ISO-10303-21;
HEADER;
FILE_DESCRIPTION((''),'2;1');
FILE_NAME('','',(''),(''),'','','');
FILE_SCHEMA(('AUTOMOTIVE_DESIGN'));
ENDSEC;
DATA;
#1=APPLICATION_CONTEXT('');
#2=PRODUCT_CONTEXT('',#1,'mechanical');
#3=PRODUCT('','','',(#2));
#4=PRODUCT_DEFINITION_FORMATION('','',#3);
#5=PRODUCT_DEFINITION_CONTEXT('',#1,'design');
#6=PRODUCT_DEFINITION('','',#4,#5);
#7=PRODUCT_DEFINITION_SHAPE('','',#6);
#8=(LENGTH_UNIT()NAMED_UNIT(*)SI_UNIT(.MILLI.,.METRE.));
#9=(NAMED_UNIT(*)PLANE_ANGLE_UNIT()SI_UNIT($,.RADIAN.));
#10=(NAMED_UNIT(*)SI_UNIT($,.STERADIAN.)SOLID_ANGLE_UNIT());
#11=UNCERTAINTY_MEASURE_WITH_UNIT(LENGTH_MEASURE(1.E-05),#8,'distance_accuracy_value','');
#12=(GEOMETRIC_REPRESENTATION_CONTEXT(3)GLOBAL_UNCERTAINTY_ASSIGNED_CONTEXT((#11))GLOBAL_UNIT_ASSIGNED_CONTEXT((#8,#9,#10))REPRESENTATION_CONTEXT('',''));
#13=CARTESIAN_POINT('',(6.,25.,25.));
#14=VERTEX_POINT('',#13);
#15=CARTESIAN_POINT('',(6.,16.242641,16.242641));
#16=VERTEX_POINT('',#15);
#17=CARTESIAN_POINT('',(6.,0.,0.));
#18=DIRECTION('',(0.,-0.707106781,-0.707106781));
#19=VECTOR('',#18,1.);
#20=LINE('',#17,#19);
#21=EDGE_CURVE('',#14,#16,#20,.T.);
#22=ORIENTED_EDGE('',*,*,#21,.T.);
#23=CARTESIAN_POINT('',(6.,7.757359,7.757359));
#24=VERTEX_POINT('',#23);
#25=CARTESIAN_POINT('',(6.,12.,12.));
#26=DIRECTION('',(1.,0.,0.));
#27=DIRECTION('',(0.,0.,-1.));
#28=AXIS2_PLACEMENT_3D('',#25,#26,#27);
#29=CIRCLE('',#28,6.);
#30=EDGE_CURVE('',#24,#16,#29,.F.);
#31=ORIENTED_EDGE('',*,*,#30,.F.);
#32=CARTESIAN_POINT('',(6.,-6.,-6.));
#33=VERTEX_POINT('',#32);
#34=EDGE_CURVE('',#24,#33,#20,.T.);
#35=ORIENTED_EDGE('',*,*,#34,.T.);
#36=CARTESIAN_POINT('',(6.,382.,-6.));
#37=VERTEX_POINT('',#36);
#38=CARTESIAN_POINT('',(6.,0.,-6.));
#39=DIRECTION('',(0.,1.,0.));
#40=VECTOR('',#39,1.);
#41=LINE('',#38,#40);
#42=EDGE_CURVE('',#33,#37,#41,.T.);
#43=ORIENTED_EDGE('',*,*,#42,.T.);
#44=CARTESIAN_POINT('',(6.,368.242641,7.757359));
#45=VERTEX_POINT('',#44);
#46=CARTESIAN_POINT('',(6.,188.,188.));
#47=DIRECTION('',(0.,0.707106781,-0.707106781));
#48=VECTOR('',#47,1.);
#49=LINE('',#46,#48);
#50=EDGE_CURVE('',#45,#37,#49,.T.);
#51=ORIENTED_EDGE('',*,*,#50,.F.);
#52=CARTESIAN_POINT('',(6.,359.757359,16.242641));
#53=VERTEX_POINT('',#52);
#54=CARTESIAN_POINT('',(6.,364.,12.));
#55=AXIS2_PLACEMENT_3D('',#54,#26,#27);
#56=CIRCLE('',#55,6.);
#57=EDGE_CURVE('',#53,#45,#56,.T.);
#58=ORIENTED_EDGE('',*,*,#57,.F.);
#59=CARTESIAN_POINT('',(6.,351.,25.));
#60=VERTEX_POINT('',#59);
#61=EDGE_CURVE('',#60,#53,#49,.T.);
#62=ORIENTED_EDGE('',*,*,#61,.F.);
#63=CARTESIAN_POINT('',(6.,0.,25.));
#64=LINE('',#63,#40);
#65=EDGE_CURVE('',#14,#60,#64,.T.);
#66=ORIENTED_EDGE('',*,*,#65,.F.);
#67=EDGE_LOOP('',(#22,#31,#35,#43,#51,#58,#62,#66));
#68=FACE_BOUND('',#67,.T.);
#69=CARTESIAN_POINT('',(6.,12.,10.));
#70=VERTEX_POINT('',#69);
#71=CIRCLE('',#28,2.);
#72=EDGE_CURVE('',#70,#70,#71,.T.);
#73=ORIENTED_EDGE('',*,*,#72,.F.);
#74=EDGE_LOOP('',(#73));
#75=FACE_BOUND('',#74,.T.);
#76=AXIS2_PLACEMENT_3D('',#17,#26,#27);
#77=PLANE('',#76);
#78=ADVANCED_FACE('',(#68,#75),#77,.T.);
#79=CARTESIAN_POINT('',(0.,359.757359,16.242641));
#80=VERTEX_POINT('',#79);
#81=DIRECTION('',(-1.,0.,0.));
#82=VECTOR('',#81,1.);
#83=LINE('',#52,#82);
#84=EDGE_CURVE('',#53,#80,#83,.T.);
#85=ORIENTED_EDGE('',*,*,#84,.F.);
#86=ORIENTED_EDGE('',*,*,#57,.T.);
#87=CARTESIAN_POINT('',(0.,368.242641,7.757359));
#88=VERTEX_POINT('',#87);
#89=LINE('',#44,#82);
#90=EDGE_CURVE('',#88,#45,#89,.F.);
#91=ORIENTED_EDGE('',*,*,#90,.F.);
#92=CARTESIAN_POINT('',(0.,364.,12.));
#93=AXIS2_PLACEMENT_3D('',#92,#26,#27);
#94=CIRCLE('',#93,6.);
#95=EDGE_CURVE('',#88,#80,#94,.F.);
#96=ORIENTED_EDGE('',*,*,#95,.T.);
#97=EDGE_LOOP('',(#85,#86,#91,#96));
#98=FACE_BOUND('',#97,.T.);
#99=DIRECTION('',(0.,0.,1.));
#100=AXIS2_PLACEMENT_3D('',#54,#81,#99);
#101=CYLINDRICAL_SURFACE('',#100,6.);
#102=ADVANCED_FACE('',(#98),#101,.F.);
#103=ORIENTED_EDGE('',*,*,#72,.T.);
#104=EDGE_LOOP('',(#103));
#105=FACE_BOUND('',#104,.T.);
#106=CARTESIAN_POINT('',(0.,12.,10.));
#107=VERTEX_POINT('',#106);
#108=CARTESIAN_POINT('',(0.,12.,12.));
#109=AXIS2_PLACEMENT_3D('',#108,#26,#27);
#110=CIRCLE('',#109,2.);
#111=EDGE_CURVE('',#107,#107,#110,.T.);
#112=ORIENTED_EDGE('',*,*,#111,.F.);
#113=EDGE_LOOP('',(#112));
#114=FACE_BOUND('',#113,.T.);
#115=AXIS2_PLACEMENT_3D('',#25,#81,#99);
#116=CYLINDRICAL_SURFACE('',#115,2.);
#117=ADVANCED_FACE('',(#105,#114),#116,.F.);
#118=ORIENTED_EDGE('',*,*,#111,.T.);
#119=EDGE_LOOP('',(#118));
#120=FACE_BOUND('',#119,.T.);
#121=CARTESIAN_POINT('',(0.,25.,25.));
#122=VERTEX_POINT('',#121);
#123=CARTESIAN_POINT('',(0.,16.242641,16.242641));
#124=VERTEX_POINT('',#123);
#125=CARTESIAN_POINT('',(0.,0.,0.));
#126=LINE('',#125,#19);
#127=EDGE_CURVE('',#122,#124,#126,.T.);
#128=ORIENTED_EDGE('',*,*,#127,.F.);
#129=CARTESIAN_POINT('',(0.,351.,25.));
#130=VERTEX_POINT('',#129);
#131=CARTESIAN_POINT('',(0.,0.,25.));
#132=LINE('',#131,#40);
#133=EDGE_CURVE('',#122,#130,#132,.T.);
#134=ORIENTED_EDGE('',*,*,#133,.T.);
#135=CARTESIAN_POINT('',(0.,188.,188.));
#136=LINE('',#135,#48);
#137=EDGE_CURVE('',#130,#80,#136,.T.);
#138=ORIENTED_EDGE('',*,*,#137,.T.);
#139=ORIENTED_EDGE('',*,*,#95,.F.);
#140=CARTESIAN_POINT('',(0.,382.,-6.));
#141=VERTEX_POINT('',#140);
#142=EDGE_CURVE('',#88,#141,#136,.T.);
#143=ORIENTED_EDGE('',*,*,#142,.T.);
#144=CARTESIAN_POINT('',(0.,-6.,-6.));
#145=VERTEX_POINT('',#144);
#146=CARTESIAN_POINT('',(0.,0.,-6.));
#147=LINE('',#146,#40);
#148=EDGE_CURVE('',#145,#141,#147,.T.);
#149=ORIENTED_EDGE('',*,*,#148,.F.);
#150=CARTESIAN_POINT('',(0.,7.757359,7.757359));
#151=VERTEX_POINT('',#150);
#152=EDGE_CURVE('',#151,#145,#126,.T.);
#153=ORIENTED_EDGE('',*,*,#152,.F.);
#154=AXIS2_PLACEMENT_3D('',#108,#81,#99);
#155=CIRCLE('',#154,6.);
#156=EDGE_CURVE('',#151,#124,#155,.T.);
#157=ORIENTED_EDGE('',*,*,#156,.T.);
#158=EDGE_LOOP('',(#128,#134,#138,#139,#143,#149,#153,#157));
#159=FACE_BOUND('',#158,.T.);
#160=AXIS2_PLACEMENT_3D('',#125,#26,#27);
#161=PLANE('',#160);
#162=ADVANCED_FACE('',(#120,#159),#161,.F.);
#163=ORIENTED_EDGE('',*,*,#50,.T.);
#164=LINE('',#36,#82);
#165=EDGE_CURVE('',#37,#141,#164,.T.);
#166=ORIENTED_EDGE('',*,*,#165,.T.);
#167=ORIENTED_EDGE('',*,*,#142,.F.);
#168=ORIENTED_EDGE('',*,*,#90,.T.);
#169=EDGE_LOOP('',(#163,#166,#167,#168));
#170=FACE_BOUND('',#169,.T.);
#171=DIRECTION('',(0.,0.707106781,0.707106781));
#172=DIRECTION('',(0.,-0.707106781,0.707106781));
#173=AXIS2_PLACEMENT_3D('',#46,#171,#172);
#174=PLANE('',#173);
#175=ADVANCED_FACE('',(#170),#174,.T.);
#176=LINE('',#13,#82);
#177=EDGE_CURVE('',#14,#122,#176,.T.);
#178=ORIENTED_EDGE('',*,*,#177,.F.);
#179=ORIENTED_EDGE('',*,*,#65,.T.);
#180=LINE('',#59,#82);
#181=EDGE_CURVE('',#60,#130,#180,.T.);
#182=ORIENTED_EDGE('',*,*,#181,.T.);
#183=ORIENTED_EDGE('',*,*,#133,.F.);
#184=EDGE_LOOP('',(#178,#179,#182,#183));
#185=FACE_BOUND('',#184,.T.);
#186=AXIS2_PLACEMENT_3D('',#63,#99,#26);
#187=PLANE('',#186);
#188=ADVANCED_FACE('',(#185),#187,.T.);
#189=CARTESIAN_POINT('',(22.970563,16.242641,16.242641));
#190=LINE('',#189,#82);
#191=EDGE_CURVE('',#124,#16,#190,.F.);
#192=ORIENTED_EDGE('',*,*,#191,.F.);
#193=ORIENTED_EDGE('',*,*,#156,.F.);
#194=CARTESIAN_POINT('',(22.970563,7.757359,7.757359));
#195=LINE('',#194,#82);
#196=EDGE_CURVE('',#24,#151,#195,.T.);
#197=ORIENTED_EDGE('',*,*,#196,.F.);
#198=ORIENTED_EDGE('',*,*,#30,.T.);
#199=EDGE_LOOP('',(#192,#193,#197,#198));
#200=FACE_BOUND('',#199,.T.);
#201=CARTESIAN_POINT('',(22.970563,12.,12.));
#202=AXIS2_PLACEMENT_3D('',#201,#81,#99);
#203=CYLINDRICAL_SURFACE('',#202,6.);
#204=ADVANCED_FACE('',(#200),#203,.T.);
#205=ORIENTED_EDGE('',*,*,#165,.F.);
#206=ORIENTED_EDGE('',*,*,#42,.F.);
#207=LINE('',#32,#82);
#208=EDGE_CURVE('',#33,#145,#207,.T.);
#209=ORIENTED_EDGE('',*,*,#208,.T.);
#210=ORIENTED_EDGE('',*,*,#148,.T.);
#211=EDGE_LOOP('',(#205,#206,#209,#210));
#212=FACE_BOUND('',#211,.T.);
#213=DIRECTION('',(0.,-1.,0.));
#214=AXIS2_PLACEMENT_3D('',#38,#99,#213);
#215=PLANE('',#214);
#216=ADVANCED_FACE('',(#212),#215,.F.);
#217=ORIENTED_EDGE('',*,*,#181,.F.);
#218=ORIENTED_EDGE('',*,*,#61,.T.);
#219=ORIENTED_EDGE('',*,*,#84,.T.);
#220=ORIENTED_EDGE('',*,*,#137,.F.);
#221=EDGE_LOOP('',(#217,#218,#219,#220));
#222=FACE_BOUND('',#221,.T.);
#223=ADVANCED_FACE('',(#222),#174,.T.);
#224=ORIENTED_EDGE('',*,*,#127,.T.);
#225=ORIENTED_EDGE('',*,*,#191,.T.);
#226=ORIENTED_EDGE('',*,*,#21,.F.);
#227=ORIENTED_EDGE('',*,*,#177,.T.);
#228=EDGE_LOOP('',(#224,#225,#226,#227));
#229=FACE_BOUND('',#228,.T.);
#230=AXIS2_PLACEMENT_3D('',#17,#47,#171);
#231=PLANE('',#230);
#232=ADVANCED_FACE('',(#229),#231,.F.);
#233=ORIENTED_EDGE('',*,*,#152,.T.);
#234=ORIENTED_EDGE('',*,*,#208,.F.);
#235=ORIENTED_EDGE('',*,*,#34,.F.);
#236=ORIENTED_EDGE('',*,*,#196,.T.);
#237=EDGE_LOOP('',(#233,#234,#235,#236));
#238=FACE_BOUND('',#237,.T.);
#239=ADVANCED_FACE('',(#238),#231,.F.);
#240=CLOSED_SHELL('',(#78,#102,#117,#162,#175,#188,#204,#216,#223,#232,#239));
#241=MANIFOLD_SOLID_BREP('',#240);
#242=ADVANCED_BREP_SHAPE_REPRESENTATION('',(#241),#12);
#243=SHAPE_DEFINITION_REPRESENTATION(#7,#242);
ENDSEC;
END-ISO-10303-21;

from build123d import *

# Parameters (mm, degrees)
BOSS_EXTRUDE1_DEPTH = 6
SKETCH4_R           = 6
BOSS_EXTRUDE2_DEPTH = 6
SKETCH3_R           = 6
SKETCH3_R_2         = 2
CUT_EXTRUDE1_DEPTH  = 383.864205692


with BuildPart() as part:
    # Sketch2 → Boss-Extrude1 (new body)
    with BuildSketch(Plane(origin=(0, 0, 0), x_dir=(0, 0, -1), z_dir=(1, 0, 0))):
        Polygon((6, 382), (-25, 351), (-25, 25), (6, -6), align=None)
    extrude(amount=BOSS_EXTRUDE1_DEPTH)

    # Sketch4 → Boss-Extrude2 (add)
    with BuildSketch(Plane.ZY):
        with Locations((12, 12)):
            Circle(SKETCH4_R)
    extrude(amount=-BOSS_EXTRUDE2_DEPTH)

    # Sketch3 → Cut-Extrude1 (cut, through all)
    with BuildSketch(Plane(origin=(0, 0, 0), x_dir=(0, 0, -1), z_dir=(1, 0, 0))):
        with Locations((-12, 364)):
            Circle(SKETCH3_R)
        with Locations((-12, 12)):
            Circle(SKETCH3_R_2)
    extrude(amount=CUT_EXTRUDE1_DEPTH, mode=Mode.SUBTRACT)


solid = part.part
